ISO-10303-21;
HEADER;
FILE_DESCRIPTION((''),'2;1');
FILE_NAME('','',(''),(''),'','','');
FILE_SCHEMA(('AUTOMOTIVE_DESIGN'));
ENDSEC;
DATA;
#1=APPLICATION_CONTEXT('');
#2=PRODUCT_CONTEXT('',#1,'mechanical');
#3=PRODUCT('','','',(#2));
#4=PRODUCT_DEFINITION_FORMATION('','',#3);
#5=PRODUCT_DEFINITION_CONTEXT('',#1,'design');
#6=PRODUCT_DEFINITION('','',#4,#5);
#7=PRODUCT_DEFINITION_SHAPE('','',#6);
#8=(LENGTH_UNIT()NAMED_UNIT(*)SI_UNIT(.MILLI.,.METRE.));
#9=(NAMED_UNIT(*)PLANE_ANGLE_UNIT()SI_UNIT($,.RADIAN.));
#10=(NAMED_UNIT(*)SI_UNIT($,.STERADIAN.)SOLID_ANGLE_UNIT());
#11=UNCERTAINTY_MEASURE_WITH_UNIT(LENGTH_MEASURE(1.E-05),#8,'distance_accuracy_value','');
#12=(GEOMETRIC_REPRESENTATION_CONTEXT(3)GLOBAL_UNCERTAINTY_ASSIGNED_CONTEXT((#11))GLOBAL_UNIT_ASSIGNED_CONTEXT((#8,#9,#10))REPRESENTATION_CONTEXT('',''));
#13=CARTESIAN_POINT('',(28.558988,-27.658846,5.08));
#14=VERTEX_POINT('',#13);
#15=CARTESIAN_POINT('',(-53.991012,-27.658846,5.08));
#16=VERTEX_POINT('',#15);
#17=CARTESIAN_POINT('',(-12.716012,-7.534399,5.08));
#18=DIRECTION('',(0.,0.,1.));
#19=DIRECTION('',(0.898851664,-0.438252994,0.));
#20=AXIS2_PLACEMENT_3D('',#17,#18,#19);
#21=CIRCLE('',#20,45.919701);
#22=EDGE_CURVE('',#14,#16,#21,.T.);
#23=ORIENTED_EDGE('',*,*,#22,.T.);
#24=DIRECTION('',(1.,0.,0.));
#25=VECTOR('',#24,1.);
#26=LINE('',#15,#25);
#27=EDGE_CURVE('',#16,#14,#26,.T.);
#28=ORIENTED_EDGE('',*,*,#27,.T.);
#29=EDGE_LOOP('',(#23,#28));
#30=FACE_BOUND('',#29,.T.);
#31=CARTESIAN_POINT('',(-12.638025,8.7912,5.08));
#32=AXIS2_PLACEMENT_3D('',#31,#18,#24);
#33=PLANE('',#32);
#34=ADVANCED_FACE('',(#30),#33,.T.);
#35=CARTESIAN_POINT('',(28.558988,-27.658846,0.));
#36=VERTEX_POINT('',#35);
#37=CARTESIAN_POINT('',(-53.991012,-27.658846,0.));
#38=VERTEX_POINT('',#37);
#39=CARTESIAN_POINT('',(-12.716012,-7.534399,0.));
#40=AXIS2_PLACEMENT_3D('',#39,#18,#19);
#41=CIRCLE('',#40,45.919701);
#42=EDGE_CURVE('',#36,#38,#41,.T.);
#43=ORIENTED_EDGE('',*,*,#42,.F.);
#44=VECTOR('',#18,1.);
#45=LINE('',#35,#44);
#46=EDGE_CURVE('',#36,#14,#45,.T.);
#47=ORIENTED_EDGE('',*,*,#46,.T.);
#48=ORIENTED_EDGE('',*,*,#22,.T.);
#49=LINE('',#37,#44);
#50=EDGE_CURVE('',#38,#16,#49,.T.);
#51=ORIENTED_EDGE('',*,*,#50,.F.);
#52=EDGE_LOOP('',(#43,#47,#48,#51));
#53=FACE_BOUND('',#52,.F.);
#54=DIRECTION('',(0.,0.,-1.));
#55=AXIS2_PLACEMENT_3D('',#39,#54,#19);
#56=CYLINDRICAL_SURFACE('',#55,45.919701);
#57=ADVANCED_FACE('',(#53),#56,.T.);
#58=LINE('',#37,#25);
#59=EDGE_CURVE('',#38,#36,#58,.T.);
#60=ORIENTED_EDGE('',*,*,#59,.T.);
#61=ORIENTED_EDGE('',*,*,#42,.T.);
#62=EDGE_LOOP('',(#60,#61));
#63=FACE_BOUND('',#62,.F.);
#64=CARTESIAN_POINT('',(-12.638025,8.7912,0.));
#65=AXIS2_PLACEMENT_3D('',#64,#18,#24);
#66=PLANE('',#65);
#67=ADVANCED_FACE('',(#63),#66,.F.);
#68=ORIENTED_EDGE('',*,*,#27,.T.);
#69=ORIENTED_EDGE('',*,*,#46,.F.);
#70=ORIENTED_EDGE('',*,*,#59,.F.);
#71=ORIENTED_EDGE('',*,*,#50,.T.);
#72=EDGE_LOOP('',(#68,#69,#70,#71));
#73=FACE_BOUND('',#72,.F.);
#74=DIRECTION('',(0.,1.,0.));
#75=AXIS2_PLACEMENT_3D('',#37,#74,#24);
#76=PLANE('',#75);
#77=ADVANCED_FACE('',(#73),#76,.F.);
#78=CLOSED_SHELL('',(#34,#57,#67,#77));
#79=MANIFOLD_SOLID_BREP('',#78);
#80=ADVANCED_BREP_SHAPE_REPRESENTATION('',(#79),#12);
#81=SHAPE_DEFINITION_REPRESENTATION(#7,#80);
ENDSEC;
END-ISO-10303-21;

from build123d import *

# Parameters (mm, degrees)
F1_DEPTH = 5.08


with BuildPart() as f1:
    # F0 (on Top) → F1 (new body)
    with BuildSketch(Plane.XY):
        with BuildLine():
            ThreePointArc((-53.812096, -10.414008), (-12.537096, 33.840929), (28.737904, -10.414008))
            Line((28.737904, -10.414008), (28.558988, -27.658846))
            ThreePointArc((28.558988, -27.658846), (-12.716012, 38.385302), (-53.991012, -27.658846))
            Line((-53.991012, -27.658846), (-53.812096, -10.414008))
        make_face()
        with BuildLine():
            Line((28.558988, -27.658846), (28.737904, -10.414008))
            ThreePointArc((28.737904, -10.414008), (-12.537096, 33.840929), (-53.812096, -10.414008))
            Line((-53.812096, -10.414008), (-53.991012, -27.658846))
            Line((-53.991012, -27.658846), (28.558988, -27.658846))
        make_face()
    extrude(amount=F1_DEPTH)


solid = f1.part
